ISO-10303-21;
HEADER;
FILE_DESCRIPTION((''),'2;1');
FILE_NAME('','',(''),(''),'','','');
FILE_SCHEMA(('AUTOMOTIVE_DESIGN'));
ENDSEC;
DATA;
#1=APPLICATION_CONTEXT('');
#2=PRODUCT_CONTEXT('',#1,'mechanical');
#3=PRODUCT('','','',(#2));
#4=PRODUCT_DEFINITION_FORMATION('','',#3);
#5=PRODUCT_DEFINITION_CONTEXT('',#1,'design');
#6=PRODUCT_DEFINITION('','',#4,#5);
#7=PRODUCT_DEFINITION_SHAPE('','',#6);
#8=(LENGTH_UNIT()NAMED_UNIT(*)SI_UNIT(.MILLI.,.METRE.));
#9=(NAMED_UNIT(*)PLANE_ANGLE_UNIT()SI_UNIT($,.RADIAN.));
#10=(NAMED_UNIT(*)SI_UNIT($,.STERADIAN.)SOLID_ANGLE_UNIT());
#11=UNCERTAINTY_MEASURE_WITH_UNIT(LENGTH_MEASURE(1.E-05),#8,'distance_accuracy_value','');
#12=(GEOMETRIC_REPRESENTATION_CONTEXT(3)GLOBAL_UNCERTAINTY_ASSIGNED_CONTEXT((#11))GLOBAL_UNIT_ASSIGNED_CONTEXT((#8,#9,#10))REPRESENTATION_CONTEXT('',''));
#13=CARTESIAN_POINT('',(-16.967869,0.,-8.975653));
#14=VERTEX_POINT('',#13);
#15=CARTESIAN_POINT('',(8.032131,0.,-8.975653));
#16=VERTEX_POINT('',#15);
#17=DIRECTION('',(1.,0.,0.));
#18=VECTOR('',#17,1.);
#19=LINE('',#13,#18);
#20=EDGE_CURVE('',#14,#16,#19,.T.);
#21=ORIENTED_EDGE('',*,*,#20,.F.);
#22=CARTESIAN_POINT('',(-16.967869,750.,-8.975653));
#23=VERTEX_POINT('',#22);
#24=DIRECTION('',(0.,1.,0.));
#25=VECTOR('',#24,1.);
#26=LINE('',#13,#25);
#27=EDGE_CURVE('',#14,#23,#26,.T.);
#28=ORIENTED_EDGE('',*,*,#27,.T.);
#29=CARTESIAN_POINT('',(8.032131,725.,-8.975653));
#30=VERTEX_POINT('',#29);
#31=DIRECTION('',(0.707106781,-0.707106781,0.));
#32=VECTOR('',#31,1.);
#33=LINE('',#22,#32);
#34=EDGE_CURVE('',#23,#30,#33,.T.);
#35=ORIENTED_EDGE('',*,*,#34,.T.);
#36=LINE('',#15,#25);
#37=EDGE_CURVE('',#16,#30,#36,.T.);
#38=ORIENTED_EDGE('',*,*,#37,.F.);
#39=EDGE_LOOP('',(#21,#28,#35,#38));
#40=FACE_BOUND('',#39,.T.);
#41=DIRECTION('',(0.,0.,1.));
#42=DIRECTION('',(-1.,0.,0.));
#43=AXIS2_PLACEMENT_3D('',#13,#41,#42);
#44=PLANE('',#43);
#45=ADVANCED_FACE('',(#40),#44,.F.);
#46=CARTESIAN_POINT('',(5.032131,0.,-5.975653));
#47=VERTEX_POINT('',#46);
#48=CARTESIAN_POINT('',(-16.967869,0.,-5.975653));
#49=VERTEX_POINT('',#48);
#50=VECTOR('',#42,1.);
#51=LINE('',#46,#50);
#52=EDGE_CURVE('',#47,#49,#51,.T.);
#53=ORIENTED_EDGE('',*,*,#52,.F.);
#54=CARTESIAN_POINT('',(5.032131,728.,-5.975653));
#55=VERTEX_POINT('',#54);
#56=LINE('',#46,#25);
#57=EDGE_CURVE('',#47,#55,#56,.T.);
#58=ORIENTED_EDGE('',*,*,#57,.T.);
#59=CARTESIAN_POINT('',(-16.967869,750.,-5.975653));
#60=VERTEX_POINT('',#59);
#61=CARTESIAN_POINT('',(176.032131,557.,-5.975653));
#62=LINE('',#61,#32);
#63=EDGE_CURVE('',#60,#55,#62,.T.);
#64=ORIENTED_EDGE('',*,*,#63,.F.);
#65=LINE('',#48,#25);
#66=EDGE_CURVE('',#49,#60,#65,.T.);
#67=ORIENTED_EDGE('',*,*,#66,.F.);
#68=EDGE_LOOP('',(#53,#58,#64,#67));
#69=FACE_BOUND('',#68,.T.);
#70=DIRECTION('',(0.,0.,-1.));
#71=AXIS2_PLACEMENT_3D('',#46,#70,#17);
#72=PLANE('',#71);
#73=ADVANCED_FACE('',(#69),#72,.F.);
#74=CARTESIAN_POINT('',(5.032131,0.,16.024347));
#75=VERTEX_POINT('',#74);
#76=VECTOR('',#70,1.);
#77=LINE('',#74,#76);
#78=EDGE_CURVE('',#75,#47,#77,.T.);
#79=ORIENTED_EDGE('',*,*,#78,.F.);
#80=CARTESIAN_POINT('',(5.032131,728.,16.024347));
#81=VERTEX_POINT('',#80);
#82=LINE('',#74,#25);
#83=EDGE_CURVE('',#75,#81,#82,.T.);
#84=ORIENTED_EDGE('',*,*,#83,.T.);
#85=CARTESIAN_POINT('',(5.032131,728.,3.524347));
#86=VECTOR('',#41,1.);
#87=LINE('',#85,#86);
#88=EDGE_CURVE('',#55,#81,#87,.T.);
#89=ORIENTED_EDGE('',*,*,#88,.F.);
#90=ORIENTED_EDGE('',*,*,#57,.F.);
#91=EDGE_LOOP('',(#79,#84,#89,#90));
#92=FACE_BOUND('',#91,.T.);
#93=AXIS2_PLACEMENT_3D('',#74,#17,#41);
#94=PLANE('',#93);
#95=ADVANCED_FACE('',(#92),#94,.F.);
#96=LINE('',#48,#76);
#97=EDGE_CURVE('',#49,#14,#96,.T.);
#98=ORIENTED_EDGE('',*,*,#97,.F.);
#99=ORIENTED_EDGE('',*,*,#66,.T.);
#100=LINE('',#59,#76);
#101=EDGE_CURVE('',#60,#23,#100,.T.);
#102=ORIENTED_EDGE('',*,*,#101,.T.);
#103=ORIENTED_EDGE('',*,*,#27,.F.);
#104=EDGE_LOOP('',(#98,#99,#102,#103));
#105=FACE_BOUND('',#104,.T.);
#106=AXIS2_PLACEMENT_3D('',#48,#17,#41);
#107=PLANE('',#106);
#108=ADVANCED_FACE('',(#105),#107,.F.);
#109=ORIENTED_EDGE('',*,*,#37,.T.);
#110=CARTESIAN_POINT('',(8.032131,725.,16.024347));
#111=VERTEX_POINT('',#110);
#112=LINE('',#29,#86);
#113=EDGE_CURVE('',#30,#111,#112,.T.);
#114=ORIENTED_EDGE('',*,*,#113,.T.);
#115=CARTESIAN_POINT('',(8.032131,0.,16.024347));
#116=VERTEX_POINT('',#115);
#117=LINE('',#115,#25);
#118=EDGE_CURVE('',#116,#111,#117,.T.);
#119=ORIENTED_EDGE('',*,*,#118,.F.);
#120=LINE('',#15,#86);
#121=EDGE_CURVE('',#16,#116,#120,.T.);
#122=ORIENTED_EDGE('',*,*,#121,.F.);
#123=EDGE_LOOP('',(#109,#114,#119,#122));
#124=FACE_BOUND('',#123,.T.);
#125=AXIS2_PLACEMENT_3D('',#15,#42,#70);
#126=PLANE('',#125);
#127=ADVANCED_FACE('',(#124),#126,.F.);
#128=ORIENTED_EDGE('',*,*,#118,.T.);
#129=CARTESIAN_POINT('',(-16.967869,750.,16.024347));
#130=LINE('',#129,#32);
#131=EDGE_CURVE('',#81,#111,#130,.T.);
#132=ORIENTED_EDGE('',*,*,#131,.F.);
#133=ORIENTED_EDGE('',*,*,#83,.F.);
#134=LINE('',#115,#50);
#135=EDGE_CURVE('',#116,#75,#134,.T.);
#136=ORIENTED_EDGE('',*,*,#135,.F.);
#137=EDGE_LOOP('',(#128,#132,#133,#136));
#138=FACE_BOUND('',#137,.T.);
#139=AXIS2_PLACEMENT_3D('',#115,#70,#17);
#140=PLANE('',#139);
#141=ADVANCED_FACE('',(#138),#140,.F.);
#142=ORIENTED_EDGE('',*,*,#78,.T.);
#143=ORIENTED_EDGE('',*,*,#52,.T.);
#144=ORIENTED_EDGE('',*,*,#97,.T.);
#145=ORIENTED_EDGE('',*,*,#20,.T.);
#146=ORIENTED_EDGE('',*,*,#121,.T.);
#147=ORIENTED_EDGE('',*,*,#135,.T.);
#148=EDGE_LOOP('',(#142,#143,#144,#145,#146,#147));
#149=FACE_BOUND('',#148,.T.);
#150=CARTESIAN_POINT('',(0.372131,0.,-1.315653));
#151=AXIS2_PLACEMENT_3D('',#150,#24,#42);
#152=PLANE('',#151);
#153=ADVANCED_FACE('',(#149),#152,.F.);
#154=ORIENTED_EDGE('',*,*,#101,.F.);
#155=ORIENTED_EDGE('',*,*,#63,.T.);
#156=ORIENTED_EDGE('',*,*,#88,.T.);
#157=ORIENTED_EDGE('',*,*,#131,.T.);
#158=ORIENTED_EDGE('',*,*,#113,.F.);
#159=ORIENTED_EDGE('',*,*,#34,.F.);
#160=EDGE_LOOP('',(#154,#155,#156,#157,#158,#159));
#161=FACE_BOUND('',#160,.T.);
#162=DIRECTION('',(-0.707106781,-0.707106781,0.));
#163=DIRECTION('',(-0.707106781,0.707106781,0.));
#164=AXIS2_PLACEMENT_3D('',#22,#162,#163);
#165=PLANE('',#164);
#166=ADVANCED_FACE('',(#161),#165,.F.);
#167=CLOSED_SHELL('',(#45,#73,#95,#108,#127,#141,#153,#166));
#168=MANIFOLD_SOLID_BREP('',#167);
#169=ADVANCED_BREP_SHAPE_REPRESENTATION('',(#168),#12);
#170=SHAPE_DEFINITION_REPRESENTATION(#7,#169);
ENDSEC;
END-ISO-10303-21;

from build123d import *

# Parameters (mm, degrees)
F1_DEPTH = 750
F3_DEPTH = 25


with BuildPart() as f1:
    # F0 (on Front) → F1 (new body)
    with BuildSketch(Plane.XZ):
        Polygon((5.032131, -5.975653), (-16.967869, -5.975653), (-16.967869, -8.975653), (8.032131, -8.975653), (8.032131, 16.024347), (5.032131, 16.024347), align=None)
    extrude(amount=F1_DEPTH)

    # F2 (on face) → F3 (cut)
    with BuildSketch(Plane(origin=(0, 0, -8.975653), x_dir=(1, 0, 0), z_dir=(0, 0, -1))):
        Polygon((8.032131, 750), (-16.967869, 750), (8.032131, 725), align=None)
    extrude(amount=-F3_DEPTH, mode=Mode.SUBTRACT)


with BuildPart() as f4_1:
    # F4: instance of F1
    add(f1.part.mirror(Plane.XZ))


solid = f4_1.part
